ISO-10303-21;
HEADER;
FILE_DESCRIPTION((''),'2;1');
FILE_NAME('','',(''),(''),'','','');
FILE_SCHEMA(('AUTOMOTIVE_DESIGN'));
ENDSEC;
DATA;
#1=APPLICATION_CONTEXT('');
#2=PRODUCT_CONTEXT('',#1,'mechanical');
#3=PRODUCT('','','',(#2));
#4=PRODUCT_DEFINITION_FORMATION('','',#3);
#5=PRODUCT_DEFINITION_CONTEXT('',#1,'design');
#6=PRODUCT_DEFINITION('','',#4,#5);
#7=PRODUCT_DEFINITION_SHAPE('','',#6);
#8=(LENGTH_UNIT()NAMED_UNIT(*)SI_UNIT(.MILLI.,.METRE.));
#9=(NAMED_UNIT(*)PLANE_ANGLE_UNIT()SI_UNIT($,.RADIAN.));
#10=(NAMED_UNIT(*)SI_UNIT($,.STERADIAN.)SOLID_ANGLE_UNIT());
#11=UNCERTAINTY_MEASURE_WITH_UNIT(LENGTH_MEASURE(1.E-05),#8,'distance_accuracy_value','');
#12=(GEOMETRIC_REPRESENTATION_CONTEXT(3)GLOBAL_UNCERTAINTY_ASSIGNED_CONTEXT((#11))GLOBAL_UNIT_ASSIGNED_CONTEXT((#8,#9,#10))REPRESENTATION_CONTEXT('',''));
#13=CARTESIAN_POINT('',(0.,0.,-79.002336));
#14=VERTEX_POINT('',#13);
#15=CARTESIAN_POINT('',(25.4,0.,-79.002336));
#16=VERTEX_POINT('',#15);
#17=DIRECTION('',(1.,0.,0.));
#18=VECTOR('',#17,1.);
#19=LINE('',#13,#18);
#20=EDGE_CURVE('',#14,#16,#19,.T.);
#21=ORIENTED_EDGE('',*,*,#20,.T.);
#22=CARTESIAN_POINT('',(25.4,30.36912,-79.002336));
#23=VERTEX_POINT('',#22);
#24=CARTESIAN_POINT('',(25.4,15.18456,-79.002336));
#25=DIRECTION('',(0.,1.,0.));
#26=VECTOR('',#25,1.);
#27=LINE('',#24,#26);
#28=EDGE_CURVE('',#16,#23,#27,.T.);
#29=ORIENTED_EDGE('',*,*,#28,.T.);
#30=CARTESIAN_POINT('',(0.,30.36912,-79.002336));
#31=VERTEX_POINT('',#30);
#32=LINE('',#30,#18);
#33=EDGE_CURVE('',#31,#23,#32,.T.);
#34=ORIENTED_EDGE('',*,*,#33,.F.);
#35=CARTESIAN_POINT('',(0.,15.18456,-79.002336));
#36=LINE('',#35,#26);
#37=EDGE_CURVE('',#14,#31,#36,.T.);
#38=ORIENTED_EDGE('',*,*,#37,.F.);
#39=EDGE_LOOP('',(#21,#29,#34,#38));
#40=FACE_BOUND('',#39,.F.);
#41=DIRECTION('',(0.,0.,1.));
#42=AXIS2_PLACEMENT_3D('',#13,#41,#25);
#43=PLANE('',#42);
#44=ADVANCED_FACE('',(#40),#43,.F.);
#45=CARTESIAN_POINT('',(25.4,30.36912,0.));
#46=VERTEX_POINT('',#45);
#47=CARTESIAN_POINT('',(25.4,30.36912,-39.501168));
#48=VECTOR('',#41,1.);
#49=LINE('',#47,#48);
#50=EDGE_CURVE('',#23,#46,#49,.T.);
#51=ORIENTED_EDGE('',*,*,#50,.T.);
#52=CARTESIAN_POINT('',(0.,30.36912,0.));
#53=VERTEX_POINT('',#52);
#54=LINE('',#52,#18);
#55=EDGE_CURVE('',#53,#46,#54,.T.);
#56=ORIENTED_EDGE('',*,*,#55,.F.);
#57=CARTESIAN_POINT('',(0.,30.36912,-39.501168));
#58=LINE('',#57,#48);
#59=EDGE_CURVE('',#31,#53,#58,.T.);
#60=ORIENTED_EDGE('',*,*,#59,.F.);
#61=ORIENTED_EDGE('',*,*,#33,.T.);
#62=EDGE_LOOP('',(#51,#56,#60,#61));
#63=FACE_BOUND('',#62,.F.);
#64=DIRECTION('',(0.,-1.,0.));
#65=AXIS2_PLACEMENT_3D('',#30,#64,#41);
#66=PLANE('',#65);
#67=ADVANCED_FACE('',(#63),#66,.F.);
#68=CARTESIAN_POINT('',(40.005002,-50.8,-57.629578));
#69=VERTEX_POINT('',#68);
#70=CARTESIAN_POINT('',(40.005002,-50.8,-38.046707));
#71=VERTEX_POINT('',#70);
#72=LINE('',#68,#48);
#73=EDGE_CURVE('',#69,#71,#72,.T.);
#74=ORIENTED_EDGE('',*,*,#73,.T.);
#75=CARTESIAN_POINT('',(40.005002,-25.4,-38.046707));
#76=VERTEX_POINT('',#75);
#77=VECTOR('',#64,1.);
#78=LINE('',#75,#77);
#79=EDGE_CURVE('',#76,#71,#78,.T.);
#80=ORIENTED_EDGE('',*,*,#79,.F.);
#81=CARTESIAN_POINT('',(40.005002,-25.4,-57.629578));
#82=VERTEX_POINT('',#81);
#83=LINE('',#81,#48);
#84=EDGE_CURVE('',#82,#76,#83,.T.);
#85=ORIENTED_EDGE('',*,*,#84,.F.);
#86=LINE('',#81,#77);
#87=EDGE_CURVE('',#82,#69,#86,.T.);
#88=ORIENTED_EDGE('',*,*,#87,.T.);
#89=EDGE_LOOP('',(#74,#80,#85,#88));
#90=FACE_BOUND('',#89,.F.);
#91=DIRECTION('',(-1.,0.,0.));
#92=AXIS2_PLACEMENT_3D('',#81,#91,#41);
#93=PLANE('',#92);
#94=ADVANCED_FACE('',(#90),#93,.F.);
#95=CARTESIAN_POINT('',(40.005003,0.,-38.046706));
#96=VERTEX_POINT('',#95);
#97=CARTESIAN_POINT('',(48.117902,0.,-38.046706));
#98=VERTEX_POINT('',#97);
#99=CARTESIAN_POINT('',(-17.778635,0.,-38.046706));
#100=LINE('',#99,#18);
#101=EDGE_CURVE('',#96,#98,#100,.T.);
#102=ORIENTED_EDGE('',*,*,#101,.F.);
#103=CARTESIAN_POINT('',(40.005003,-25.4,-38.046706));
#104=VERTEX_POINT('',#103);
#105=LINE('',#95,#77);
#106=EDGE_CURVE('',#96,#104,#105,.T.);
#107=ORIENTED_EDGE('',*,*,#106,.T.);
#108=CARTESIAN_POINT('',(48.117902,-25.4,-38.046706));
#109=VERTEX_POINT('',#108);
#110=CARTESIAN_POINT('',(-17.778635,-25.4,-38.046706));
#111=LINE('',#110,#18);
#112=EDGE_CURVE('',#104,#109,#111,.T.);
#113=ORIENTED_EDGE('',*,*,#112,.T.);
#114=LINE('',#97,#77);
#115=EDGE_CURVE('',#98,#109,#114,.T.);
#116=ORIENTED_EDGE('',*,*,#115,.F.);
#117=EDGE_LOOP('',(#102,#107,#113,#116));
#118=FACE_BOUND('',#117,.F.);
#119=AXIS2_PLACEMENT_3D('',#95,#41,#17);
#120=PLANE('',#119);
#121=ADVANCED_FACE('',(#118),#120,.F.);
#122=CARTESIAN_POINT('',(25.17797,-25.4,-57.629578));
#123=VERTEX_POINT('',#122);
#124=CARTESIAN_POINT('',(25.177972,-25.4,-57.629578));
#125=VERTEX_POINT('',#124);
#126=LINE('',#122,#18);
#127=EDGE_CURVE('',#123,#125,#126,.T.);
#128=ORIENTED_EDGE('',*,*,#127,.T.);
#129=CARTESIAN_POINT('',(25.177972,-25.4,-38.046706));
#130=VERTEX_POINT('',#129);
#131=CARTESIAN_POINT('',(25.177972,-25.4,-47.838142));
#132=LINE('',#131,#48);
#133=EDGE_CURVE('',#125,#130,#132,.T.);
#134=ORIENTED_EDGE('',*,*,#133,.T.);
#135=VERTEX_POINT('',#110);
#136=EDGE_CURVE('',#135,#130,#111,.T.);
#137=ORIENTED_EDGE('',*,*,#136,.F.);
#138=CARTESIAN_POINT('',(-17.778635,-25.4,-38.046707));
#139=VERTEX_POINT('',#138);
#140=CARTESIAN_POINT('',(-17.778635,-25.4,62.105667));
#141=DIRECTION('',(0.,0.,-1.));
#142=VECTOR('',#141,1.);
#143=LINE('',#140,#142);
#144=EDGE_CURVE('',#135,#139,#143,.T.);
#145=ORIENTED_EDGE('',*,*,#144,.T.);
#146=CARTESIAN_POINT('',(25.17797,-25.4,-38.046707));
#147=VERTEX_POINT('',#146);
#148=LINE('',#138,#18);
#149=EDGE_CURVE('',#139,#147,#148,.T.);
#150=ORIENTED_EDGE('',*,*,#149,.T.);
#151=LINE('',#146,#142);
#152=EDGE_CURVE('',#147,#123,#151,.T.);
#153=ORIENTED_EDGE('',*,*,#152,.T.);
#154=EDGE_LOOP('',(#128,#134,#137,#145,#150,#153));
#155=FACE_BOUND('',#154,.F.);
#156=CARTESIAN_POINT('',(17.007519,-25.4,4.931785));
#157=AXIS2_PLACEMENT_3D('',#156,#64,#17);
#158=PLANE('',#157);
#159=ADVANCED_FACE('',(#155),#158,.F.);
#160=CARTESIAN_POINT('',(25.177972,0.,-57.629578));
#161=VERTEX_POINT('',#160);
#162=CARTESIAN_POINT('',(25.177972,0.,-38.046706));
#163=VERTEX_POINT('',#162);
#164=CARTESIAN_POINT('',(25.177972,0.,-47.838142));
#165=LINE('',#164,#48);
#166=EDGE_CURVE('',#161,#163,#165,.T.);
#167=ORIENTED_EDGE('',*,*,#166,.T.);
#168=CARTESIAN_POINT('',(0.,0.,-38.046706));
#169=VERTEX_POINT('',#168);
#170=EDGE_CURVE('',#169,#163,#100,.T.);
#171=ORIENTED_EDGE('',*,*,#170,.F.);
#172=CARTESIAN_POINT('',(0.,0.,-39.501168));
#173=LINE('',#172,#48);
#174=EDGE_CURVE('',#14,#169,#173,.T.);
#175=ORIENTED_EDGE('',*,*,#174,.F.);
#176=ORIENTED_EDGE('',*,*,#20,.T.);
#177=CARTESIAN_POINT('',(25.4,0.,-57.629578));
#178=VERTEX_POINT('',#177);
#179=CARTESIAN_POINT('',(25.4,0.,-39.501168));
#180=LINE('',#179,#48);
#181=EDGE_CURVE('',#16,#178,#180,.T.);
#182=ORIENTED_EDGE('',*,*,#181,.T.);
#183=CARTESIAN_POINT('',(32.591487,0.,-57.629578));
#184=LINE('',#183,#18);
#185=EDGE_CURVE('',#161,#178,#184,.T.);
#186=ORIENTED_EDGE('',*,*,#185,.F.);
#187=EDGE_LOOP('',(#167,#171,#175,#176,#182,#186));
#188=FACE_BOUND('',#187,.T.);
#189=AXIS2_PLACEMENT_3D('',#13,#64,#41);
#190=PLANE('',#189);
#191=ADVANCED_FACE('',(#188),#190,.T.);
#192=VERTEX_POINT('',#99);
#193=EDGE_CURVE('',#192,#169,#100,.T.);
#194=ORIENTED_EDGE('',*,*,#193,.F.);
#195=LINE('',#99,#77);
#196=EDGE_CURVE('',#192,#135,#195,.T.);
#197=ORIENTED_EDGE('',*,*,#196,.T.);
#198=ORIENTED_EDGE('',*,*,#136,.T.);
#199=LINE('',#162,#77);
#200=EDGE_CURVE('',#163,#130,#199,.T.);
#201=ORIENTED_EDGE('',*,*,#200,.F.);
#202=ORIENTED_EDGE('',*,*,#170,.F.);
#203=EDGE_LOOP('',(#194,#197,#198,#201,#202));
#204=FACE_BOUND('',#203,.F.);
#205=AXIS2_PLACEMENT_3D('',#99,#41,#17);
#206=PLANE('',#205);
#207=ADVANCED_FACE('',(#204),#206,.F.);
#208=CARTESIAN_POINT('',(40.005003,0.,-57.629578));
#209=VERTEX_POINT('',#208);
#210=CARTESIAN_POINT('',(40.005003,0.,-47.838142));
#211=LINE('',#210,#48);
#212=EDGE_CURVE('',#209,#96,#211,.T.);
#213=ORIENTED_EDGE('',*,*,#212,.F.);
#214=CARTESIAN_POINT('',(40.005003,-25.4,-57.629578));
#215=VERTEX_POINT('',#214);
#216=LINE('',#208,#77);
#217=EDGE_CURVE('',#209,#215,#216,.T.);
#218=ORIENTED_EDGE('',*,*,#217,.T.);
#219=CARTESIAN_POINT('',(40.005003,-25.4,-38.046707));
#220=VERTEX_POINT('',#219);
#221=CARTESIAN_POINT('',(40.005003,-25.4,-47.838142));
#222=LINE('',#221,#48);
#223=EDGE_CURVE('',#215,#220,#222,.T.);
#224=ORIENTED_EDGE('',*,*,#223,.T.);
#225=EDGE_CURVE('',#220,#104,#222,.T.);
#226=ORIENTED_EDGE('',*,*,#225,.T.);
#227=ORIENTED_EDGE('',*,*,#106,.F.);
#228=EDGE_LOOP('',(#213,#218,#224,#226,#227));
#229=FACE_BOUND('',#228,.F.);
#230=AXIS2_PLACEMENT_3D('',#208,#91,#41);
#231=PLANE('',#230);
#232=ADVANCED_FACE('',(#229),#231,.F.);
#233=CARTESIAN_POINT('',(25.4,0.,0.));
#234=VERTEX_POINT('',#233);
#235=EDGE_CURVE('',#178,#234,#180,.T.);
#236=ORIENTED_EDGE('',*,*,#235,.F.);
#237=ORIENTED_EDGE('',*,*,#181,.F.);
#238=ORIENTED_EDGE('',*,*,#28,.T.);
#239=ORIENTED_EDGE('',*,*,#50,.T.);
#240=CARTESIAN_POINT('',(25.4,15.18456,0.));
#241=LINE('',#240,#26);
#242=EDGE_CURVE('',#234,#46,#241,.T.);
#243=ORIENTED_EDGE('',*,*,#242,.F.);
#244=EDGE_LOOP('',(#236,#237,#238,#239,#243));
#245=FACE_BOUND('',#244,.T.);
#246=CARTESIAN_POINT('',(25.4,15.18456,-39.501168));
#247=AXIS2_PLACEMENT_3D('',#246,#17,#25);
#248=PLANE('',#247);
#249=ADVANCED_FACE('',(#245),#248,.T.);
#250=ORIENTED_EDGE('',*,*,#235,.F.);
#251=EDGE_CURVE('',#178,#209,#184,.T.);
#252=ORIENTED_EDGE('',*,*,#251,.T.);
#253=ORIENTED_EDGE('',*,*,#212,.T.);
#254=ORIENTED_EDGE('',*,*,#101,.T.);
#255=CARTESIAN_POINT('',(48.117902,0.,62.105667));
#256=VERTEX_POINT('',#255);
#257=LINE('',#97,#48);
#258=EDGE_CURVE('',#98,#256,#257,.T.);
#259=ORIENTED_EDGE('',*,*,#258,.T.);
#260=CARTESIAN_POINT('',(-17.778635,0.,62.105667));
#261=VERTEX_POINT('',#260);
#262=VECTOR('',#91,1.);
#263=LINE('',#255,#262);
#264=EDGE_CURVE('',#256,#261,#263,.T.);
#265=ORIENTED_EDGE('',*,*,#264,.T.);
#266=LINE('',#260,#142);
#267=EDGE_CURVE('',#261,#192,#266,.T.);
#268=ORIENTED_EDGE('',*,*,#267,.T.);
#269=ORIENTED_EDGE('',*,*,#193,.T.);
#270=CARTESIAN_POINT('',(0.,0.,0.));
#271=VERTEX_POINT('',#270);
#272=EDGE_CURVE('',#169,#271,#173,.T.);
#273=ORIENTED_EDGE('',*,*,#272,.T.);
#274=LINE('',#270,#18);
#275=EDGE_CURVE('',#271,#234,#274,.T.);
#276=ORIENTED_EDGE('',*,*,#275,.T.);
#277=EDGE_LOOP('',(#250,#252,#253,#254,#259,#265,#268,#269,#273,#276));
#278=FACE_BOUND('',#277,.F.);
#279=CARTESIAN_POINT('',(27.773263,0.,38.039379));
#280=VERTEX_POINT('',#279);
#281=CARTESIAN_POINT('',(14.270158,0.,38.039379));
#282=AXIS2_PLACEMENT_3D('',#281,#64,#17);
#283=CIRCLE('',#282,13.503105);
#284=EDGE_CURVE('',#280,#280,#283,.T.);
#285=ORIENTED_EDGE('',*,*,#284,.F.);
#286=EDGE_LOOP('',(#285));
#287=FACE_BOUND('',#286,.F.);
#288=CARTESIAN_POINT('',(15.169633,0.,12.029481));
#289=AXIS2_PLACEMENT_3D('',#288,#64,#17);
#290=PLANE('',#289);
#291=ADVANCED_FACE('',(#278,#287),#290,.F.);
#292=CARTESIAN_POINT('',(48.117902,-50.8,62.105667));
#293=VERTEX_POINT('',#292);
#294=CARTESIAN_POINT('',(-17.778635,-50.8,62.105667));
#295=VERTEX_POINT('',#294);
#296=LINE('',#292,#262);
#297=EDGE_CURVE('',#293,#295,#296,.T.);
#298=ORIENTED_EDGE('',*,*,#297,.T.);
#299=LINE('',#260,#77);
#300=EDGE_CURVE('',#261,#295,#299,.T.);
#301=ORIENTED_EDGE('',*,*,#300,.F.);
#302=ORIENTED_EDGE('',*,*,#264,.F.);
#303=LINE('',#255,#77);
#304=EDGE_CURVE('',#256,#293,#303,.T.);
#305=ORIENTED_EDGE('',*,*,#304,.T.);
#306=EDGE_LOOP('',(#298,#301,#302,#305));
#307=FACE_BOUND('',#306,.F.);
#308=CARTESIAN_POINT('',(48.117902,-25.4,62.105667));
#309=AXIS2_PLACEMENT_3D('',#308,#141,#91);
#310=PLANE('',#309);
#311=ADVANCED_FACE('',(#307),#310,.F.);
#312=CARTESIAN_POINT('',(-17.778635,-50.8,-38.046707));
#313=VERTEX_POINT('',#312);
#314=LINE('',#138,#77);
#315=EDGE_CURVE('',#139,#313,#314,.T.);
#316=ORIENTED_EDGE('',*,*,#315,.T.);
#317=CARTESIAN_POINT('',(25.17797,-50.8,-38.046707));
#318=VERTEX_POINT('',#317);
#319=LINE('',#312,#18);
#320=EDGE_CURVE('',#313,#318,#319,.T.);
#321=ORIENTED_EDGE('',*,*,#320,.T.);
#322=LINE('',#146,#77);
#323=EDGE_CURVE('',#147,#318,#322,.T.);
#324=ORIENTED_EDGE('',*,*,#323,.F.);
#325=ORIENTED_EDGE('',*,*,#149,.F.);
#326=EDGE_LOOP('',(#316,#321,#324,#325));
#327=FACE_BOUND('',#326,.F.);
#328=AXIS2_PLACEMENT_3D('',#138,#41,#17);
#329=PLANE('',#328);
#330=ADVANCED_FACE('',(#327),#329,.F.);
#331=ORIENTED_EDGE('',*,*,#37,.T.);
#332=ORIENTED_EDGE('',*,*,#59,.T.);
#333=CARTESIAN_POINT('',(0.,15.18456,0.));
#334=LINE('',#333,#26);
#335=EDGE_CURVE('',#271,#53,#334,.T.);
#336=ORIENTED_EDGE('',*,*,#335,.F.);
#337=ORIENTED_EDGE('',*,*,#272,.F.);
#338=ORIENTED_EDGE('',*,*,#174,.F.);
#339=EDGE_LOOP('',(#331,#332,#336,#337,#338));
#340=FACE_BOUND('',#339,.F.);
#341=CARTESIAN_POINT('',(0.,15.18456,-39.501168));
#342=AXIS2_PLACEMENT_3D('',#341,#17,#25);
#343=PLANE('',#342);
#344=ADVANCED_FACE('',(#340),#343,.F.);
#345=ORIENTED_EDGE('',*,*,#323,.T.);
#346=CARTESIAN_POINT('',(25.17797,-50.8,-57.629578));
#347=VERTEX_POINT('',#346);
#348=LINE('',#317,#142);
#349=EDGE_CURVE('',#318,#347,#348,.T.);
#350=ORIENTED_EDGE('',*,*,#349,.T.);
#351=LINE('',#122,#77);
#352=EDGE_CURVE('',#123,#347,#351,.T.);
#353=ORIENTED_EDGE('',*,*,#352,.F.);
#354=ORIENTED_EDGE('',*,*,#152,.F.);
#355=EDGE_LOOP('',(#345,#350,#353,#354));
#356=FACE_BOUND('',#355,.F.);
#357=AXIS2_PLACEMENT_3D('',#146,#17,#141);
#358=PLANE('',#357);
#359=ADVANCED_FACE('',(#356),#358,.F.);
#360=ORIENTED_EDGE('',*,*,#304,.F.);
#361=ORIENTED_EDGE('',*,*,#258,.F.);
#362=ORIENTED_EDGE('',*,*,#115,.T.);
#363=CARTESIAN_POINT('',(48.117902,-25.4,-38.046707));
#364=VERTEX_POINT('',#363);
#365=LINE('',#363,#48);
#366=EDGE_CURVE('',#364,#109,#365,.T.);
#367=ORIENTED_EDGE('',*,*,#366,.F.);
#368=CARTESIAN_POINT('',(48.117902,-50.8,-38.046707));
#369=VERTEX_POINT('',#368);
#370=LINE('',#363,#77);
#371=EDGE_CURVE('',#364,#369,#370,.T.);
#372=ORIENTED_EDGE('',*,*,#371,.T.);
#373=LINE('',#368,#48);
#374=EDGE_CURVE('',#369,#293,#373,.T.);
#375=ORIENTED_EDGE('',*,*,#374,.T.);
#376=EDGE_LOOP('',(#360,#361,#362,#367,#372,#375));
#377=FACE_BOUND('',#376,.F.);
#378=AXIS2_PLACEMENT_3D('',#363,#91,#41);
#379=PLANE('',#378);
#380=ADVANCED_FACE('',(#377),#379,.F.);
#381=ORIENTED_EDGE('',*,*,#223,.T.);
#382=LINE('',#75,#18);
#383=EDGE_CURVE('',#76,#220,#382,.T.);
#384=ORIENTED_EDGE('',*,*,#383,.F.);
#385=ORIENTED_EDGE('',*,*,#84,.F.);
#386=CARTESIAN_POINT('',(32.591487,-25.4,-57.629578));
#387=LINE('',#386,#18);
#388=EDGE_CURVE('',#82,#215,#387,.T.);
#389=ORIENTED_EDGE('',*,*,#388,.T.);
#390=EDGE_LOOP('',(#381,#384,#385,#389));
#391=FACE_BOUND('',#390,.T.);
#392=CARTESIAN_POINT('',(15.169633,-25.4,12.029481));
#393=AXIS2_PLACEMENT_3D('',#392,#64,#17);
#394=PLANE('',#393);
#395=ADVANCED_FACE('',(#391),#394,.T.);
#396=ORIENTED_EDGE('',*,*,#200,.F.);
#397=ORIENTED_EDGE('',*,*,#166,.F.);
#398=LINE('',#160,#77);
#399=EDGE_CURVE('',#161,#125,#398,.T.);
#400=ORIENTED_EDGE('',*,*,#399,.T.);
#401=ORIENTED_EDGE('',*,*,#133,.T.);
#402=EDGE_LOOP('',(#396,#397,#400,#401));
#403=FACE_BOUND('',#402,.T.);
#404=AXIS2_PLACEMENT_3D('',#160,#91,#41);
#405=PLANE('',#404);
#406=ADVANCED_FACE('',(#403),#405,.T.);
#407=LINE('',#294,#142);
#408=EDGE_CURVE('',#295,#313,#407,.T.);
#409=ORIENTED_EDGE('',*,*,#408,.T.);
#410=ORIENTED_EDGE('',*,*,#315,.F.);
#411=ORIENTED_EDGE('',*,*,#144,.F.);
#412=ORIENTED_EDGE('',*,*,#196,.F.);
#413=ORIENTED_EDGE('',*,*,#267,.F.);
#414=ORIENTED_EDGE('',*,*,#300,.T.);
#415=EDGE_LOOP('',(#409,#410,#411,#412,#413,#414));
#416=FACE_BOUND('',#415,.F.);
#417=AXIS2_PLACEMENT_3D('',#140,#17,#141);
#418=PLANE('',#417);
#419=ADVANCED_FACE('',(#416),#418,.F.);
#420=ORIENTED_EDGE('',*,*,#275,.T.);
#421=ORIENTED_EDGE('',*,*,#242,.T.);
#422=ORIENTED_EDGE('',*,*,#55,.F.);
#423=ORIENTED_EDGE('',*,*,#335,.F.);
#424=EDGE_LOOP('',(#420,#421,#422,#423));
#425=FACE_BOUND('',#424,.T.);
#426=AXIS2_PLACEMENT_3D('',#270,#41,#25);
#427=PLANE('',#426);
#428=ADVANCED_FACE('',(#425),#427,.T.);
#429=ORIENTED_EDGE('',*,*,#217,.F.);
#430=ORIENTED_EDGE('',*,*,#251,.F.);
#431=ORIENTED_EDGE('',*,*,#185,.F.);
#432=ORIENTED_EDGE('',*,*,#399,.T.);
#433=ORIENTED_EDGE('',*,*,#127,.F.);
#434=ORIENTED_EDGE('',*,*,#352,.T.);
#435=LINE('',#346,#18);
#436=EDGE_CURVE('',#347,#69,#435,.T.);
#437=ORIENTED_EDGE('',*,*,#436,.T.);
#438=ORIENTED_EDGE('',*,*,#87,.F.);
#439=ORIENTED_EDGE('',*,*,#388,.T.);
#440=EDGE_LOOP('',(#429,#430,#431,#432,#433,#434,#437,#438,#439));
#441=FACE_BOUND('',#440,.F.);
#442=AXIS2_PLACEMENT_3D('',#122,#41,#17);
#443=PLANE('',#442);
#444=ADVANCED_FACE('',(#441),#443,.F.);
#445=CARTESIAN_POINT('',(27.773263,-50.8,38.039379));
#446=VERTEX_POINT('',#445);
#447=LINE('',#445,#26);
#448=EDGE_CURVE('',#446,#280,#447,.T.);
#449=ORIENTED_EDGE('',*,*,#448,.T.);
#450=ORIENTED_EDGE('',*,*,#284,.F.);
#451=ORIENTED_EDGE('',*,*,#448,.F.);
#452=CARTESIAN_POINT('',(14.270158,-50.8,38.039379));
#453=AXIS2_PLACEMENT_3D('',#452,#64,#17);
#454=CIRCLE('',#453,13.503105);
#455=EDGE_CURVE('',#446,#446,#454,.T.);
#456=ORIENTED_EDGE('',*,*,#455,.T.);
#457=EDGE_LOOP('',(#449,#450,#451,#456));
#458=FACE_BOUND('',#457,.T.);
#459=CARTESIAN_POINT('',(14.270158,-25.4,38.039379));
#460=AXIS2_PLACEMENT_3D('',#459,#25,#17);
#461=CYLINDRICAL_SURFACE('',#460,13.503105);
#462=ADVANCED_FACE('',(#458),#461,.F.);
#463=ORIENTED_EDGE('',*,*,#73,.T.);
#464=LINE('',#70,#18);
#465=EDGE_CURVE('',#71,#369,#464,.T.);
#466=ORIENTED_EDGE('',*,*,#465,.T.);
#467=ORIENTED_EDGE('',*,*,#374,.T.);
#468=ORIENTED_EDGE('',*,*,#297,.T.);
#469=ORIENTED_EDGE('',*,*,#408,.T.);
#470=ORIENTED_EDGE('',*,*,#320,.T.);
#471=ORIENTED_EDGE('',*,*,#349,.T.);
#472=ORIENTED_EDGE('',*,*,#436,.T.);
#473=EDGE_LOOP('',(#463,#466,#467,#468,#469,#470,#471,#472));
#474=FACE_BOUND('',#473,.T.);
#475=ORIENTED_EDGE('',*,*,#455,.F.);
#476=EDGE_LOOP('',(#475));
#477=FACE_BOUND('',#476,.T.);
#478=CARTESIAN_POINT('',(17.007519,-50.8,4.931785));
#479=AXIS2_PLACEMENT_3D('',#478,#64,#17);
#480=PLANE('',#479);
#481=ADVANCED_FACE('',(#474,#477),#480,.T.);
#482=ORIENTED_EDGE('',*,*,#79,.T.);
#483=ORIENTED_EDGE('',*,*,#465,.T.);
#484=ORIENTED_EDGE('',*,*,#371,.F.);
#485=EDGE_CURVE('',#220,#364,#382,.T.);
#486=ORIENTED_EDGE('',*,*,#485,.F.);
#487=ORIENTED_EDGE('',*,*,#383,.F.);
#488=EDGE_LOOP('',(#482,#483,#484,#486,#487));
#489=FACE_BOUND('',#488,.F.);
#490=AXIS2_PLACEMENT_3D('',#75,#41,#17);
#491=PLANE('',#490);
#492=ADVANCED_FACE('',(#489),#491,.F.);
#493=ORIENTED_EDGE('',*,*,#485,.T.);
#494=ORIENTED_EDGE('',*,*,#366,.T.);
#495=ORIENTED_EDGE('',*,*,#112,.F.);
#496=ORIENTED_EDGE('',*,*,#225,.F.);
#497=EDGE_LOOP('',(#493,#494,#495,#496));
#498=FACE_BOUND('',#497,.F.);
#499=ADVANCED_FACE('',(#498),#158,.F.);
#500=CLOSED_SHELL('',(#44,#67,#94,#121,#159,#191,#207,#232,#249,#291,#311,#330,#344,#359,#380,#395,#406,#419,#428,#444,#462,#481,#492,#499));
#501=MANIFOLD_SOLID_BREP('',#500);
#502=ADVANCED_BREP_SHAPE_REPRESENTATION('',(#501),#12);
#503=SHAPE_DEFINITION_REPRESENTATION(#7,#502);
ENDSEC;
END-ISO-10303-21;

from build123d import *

# Parameters (mm, degrees)
F0_R      = 13.503105
F0_W      = 14.827031
F0_H      = 19.582872
F1_DEPTH  = 25.4
F1_FACE_R = 13.503105
F2_DEPTH  = 25.4
F3_W      = 30.36912
F3_H      = 79.002336
F4_DEPTH  = 25.4


with BuildPart() as f1:
    # F0 (on Front) → F1 (new body)
    with BuildSketch(Plane.XZ):
        Polygon((48.117902, -38.046706), (48.117902, 62.105667), (-17.778635, 62.105667), (-17.778635, -38.046706), (25.177971, -38.046706), (40.005002, -38.046706), align=None)
        with Locations((14.270158, 38.039379)):
            Circle(F0_R, mode=Mode.SUBTRACT)
        with Locations((32.591487, -47.838142)):
            Rectangle(F0_W, F0_H)
    extrude(amount=F1_DEPTH)

    # F1_face (on face) → F2 (join)
    with BuildSketch(Plane(origin=(16.051946, -25.4, 6.919351), x_dir=(1, 0, 0), z_dir=(0, -1, 0))):
        Polygon((32.065956, -44.966058), (32.065956, 55.186316), (-33.830581, 55.186316), (-33.830581, -44.966058), (9.126024, -44.966058), (9.126024, -64.548929), (23.953056, -64.548929), (23.953056, -44.966058), align=None)
        with Locations((-1.781788, 31.120028)):
            Circle(F1_FACE_R, mode=Mode.SUBTRACT)
    extrude(amount=F2_DEPTH)

    # F3 (on Right) → F4 (join)
    with BuildSketch(Plane.YZ):
        with Locations((15.18456, -39.501168)):
            Rectangle(F3_W, F3_H)
    extrude(amount=F4_DEPTH)


solid = f1.part
